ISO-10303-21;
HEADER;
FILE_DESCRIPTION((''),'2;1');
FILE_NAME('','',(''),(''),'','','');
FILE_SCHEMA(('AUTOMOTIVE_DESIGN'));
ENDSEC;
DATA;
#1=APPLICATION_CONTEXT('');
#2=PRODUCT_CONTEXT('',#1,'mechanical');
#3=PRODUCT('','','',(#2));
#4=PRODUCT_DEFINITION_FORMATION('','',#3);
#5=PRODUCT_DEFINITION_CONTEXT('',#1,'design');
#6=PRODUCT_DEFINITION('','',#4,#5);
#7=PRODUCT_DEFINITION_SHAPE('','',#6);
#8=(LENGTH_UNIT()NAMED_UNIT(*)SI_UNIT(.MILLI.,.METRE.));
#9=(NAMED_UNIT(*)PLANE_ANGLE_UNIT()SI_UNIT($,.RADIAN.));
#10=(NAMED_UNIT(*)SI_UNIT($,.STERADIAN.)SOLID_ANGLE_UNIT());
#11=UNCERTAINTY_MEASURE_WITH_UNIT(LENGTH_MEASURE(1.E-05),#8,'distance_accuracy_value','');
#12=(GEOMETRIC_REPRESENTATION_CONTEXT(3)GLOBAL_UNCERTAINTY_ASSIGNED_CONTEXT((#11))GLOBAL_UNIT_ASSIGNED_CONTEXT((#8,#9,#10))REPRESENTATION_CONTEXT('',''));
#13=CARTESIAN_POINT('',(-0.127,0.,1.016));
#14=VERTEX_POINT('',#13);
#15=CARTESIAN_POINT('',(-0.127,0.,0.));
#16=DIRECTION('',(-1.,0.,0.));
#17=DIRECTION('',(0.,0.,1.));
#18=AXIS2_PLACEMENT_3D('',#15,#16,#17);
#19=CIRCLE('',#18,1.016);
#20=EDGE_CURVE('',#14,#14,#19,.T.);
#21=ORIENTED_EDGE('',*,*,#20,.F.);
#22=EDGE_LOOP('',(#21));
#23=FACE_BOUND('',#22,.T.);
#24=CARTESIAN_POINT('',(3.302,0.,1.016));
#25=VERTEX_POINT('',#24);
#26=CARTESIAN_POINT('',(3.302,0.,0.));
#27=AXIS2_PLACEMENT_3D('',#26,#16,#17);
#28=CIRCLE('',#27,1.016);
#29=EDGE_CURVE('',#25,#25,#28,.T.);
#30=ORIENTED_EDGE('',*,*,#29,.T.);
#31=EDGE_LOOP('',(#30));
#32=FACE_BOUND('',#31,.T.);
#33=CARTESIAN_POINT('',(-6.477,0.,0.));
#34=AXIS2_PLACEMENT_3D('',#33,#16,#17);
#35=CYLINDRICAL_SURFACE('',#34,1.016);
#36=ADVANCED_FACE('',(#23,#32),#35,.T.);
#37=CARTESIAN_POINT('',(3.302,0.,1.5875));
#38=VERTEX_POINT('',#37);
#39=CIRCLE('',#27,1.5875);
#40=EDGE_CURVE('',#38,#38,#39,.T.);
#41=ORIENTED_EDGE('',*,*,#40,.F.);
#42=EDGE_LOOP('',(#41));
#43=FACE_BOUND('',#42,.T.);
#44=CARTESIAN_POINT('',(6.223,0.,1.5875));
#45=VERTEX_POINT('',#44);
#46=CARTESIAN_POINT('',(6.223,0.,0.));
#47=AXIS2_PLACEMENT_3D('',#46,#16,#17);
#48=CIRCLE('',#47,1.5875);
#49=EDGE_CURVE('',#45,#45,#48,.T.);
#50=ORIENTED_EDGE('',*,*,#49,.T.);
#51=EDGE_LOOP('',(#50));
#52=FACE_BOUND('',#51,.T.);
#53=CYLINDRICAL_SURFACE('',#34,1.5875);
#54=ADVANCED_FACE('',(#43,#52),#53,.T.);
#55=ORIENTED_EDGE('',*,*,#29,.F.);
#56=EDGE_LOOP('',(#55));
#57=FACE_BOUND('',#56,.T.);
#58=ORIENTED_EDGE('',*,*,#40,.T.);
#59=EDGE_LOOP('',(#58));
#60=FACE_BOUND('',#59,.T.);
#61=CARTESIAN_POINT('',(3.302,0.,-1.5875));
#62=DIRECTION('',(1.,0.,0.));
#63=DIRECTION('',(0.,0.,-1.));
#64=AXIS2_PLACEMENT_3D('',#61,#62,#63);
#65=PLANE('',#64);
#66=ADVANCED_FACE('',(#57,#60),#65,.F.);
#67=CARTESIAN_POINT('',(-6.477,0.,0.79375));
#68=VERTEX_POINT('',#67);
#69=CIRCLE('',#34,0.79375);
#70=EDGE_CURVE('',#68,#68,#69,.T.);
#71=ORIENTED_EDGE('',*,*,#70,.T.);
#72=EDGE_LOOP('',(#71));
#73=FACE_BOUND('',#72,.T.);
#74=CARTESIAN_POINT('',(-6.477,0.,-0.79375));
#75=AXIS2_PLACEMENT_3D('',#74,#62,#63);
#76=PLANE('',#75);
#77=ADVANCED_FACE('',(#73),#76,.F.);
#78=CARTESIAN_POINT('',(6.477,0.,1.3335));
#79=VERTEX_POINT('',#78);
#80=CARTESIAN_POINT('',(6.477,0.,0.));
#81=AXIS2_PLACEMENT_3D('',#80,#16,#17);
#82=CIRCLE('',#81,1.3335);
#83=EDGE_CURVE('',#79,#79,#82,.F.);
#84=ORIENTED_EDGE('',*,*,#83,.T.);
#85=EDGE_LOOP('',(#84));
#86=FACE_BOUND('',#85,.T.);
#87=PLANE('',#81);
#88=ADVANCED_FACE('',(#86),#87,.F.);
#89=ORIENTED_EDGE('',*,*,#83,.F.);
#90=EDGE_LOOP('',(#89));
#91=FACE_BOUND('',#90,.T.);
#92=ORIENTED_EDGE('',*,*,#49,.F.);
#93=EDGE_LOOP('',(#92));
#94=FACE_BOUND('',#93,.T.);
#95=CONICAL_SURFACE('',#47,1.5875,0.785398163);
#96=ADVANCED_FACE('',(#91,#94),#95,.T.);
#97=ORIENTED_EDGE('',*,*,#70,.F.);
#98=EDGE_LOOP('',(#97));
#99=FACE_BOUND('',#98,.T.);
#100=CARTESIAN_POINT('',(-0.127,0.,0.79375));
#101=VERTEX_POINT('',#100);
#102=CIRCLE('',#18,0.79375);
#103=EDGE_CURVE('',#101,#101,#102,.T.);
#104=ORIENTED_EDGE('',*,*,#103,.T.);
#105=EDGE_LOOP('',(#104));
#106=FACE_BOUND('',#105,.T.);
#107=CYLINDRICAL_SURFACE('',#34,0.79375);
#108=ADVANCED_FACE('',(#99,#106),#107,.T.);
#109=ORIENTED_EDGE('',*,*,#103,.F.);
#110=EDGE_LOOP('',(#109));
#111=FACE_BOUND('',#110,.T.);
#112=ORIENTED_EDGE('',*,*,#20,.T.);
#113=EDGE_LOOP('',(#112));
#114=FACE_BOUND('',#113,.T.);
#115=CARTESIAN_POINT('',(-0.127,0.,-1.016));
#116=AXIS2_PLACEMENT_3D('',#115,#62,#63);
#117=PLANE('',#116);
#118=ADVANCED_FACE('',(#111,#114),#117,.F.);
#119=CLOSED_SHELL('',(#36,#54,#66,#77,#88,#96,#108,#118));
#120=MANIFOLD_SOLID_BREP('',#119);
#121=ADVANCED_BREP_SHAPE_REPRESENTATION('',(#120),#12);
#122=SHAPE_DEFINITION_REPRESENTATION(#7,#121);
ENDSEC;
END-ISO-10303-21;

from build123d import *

# Parameters (mm, degrees)
CHAMFER1_SIZE = 0.254


with BuildPart() as part:
    # Sketch2 → Revolve1 (revolve)
    with BuildSketch(Plane(origin=(0, 0, 0), x_dir=(1, 0, 0), z_dir=(0, 1, 0)), mode=Mode.PRIVATE) as revolve1_sk:
        Polygon((-6.477, 0), (6.477, 0), (6.477, 1.5875), (3.302, 1.5875), (3.302, 1.016), (-0.127, 1.016), (-0.127, 0.79375), (-6.477, 0.79375), align=None)
    revolve(revolve1_sk.sketch.rotate(Axis((-6.477, 0, 0), (1, 0, 0)), 180), axis=Axis((-6.477, 0, 0), (1, 0, 0)))

    # Chamfer1
    chamfer1_edges = [part.edges().sort_by_distance(p)[0] for p in [
        (6.477, 0, -1.5875),
    ]]
    chamfer(chamfer1_edges, length=CHAMFER1_SIZE)


solid = part.part
